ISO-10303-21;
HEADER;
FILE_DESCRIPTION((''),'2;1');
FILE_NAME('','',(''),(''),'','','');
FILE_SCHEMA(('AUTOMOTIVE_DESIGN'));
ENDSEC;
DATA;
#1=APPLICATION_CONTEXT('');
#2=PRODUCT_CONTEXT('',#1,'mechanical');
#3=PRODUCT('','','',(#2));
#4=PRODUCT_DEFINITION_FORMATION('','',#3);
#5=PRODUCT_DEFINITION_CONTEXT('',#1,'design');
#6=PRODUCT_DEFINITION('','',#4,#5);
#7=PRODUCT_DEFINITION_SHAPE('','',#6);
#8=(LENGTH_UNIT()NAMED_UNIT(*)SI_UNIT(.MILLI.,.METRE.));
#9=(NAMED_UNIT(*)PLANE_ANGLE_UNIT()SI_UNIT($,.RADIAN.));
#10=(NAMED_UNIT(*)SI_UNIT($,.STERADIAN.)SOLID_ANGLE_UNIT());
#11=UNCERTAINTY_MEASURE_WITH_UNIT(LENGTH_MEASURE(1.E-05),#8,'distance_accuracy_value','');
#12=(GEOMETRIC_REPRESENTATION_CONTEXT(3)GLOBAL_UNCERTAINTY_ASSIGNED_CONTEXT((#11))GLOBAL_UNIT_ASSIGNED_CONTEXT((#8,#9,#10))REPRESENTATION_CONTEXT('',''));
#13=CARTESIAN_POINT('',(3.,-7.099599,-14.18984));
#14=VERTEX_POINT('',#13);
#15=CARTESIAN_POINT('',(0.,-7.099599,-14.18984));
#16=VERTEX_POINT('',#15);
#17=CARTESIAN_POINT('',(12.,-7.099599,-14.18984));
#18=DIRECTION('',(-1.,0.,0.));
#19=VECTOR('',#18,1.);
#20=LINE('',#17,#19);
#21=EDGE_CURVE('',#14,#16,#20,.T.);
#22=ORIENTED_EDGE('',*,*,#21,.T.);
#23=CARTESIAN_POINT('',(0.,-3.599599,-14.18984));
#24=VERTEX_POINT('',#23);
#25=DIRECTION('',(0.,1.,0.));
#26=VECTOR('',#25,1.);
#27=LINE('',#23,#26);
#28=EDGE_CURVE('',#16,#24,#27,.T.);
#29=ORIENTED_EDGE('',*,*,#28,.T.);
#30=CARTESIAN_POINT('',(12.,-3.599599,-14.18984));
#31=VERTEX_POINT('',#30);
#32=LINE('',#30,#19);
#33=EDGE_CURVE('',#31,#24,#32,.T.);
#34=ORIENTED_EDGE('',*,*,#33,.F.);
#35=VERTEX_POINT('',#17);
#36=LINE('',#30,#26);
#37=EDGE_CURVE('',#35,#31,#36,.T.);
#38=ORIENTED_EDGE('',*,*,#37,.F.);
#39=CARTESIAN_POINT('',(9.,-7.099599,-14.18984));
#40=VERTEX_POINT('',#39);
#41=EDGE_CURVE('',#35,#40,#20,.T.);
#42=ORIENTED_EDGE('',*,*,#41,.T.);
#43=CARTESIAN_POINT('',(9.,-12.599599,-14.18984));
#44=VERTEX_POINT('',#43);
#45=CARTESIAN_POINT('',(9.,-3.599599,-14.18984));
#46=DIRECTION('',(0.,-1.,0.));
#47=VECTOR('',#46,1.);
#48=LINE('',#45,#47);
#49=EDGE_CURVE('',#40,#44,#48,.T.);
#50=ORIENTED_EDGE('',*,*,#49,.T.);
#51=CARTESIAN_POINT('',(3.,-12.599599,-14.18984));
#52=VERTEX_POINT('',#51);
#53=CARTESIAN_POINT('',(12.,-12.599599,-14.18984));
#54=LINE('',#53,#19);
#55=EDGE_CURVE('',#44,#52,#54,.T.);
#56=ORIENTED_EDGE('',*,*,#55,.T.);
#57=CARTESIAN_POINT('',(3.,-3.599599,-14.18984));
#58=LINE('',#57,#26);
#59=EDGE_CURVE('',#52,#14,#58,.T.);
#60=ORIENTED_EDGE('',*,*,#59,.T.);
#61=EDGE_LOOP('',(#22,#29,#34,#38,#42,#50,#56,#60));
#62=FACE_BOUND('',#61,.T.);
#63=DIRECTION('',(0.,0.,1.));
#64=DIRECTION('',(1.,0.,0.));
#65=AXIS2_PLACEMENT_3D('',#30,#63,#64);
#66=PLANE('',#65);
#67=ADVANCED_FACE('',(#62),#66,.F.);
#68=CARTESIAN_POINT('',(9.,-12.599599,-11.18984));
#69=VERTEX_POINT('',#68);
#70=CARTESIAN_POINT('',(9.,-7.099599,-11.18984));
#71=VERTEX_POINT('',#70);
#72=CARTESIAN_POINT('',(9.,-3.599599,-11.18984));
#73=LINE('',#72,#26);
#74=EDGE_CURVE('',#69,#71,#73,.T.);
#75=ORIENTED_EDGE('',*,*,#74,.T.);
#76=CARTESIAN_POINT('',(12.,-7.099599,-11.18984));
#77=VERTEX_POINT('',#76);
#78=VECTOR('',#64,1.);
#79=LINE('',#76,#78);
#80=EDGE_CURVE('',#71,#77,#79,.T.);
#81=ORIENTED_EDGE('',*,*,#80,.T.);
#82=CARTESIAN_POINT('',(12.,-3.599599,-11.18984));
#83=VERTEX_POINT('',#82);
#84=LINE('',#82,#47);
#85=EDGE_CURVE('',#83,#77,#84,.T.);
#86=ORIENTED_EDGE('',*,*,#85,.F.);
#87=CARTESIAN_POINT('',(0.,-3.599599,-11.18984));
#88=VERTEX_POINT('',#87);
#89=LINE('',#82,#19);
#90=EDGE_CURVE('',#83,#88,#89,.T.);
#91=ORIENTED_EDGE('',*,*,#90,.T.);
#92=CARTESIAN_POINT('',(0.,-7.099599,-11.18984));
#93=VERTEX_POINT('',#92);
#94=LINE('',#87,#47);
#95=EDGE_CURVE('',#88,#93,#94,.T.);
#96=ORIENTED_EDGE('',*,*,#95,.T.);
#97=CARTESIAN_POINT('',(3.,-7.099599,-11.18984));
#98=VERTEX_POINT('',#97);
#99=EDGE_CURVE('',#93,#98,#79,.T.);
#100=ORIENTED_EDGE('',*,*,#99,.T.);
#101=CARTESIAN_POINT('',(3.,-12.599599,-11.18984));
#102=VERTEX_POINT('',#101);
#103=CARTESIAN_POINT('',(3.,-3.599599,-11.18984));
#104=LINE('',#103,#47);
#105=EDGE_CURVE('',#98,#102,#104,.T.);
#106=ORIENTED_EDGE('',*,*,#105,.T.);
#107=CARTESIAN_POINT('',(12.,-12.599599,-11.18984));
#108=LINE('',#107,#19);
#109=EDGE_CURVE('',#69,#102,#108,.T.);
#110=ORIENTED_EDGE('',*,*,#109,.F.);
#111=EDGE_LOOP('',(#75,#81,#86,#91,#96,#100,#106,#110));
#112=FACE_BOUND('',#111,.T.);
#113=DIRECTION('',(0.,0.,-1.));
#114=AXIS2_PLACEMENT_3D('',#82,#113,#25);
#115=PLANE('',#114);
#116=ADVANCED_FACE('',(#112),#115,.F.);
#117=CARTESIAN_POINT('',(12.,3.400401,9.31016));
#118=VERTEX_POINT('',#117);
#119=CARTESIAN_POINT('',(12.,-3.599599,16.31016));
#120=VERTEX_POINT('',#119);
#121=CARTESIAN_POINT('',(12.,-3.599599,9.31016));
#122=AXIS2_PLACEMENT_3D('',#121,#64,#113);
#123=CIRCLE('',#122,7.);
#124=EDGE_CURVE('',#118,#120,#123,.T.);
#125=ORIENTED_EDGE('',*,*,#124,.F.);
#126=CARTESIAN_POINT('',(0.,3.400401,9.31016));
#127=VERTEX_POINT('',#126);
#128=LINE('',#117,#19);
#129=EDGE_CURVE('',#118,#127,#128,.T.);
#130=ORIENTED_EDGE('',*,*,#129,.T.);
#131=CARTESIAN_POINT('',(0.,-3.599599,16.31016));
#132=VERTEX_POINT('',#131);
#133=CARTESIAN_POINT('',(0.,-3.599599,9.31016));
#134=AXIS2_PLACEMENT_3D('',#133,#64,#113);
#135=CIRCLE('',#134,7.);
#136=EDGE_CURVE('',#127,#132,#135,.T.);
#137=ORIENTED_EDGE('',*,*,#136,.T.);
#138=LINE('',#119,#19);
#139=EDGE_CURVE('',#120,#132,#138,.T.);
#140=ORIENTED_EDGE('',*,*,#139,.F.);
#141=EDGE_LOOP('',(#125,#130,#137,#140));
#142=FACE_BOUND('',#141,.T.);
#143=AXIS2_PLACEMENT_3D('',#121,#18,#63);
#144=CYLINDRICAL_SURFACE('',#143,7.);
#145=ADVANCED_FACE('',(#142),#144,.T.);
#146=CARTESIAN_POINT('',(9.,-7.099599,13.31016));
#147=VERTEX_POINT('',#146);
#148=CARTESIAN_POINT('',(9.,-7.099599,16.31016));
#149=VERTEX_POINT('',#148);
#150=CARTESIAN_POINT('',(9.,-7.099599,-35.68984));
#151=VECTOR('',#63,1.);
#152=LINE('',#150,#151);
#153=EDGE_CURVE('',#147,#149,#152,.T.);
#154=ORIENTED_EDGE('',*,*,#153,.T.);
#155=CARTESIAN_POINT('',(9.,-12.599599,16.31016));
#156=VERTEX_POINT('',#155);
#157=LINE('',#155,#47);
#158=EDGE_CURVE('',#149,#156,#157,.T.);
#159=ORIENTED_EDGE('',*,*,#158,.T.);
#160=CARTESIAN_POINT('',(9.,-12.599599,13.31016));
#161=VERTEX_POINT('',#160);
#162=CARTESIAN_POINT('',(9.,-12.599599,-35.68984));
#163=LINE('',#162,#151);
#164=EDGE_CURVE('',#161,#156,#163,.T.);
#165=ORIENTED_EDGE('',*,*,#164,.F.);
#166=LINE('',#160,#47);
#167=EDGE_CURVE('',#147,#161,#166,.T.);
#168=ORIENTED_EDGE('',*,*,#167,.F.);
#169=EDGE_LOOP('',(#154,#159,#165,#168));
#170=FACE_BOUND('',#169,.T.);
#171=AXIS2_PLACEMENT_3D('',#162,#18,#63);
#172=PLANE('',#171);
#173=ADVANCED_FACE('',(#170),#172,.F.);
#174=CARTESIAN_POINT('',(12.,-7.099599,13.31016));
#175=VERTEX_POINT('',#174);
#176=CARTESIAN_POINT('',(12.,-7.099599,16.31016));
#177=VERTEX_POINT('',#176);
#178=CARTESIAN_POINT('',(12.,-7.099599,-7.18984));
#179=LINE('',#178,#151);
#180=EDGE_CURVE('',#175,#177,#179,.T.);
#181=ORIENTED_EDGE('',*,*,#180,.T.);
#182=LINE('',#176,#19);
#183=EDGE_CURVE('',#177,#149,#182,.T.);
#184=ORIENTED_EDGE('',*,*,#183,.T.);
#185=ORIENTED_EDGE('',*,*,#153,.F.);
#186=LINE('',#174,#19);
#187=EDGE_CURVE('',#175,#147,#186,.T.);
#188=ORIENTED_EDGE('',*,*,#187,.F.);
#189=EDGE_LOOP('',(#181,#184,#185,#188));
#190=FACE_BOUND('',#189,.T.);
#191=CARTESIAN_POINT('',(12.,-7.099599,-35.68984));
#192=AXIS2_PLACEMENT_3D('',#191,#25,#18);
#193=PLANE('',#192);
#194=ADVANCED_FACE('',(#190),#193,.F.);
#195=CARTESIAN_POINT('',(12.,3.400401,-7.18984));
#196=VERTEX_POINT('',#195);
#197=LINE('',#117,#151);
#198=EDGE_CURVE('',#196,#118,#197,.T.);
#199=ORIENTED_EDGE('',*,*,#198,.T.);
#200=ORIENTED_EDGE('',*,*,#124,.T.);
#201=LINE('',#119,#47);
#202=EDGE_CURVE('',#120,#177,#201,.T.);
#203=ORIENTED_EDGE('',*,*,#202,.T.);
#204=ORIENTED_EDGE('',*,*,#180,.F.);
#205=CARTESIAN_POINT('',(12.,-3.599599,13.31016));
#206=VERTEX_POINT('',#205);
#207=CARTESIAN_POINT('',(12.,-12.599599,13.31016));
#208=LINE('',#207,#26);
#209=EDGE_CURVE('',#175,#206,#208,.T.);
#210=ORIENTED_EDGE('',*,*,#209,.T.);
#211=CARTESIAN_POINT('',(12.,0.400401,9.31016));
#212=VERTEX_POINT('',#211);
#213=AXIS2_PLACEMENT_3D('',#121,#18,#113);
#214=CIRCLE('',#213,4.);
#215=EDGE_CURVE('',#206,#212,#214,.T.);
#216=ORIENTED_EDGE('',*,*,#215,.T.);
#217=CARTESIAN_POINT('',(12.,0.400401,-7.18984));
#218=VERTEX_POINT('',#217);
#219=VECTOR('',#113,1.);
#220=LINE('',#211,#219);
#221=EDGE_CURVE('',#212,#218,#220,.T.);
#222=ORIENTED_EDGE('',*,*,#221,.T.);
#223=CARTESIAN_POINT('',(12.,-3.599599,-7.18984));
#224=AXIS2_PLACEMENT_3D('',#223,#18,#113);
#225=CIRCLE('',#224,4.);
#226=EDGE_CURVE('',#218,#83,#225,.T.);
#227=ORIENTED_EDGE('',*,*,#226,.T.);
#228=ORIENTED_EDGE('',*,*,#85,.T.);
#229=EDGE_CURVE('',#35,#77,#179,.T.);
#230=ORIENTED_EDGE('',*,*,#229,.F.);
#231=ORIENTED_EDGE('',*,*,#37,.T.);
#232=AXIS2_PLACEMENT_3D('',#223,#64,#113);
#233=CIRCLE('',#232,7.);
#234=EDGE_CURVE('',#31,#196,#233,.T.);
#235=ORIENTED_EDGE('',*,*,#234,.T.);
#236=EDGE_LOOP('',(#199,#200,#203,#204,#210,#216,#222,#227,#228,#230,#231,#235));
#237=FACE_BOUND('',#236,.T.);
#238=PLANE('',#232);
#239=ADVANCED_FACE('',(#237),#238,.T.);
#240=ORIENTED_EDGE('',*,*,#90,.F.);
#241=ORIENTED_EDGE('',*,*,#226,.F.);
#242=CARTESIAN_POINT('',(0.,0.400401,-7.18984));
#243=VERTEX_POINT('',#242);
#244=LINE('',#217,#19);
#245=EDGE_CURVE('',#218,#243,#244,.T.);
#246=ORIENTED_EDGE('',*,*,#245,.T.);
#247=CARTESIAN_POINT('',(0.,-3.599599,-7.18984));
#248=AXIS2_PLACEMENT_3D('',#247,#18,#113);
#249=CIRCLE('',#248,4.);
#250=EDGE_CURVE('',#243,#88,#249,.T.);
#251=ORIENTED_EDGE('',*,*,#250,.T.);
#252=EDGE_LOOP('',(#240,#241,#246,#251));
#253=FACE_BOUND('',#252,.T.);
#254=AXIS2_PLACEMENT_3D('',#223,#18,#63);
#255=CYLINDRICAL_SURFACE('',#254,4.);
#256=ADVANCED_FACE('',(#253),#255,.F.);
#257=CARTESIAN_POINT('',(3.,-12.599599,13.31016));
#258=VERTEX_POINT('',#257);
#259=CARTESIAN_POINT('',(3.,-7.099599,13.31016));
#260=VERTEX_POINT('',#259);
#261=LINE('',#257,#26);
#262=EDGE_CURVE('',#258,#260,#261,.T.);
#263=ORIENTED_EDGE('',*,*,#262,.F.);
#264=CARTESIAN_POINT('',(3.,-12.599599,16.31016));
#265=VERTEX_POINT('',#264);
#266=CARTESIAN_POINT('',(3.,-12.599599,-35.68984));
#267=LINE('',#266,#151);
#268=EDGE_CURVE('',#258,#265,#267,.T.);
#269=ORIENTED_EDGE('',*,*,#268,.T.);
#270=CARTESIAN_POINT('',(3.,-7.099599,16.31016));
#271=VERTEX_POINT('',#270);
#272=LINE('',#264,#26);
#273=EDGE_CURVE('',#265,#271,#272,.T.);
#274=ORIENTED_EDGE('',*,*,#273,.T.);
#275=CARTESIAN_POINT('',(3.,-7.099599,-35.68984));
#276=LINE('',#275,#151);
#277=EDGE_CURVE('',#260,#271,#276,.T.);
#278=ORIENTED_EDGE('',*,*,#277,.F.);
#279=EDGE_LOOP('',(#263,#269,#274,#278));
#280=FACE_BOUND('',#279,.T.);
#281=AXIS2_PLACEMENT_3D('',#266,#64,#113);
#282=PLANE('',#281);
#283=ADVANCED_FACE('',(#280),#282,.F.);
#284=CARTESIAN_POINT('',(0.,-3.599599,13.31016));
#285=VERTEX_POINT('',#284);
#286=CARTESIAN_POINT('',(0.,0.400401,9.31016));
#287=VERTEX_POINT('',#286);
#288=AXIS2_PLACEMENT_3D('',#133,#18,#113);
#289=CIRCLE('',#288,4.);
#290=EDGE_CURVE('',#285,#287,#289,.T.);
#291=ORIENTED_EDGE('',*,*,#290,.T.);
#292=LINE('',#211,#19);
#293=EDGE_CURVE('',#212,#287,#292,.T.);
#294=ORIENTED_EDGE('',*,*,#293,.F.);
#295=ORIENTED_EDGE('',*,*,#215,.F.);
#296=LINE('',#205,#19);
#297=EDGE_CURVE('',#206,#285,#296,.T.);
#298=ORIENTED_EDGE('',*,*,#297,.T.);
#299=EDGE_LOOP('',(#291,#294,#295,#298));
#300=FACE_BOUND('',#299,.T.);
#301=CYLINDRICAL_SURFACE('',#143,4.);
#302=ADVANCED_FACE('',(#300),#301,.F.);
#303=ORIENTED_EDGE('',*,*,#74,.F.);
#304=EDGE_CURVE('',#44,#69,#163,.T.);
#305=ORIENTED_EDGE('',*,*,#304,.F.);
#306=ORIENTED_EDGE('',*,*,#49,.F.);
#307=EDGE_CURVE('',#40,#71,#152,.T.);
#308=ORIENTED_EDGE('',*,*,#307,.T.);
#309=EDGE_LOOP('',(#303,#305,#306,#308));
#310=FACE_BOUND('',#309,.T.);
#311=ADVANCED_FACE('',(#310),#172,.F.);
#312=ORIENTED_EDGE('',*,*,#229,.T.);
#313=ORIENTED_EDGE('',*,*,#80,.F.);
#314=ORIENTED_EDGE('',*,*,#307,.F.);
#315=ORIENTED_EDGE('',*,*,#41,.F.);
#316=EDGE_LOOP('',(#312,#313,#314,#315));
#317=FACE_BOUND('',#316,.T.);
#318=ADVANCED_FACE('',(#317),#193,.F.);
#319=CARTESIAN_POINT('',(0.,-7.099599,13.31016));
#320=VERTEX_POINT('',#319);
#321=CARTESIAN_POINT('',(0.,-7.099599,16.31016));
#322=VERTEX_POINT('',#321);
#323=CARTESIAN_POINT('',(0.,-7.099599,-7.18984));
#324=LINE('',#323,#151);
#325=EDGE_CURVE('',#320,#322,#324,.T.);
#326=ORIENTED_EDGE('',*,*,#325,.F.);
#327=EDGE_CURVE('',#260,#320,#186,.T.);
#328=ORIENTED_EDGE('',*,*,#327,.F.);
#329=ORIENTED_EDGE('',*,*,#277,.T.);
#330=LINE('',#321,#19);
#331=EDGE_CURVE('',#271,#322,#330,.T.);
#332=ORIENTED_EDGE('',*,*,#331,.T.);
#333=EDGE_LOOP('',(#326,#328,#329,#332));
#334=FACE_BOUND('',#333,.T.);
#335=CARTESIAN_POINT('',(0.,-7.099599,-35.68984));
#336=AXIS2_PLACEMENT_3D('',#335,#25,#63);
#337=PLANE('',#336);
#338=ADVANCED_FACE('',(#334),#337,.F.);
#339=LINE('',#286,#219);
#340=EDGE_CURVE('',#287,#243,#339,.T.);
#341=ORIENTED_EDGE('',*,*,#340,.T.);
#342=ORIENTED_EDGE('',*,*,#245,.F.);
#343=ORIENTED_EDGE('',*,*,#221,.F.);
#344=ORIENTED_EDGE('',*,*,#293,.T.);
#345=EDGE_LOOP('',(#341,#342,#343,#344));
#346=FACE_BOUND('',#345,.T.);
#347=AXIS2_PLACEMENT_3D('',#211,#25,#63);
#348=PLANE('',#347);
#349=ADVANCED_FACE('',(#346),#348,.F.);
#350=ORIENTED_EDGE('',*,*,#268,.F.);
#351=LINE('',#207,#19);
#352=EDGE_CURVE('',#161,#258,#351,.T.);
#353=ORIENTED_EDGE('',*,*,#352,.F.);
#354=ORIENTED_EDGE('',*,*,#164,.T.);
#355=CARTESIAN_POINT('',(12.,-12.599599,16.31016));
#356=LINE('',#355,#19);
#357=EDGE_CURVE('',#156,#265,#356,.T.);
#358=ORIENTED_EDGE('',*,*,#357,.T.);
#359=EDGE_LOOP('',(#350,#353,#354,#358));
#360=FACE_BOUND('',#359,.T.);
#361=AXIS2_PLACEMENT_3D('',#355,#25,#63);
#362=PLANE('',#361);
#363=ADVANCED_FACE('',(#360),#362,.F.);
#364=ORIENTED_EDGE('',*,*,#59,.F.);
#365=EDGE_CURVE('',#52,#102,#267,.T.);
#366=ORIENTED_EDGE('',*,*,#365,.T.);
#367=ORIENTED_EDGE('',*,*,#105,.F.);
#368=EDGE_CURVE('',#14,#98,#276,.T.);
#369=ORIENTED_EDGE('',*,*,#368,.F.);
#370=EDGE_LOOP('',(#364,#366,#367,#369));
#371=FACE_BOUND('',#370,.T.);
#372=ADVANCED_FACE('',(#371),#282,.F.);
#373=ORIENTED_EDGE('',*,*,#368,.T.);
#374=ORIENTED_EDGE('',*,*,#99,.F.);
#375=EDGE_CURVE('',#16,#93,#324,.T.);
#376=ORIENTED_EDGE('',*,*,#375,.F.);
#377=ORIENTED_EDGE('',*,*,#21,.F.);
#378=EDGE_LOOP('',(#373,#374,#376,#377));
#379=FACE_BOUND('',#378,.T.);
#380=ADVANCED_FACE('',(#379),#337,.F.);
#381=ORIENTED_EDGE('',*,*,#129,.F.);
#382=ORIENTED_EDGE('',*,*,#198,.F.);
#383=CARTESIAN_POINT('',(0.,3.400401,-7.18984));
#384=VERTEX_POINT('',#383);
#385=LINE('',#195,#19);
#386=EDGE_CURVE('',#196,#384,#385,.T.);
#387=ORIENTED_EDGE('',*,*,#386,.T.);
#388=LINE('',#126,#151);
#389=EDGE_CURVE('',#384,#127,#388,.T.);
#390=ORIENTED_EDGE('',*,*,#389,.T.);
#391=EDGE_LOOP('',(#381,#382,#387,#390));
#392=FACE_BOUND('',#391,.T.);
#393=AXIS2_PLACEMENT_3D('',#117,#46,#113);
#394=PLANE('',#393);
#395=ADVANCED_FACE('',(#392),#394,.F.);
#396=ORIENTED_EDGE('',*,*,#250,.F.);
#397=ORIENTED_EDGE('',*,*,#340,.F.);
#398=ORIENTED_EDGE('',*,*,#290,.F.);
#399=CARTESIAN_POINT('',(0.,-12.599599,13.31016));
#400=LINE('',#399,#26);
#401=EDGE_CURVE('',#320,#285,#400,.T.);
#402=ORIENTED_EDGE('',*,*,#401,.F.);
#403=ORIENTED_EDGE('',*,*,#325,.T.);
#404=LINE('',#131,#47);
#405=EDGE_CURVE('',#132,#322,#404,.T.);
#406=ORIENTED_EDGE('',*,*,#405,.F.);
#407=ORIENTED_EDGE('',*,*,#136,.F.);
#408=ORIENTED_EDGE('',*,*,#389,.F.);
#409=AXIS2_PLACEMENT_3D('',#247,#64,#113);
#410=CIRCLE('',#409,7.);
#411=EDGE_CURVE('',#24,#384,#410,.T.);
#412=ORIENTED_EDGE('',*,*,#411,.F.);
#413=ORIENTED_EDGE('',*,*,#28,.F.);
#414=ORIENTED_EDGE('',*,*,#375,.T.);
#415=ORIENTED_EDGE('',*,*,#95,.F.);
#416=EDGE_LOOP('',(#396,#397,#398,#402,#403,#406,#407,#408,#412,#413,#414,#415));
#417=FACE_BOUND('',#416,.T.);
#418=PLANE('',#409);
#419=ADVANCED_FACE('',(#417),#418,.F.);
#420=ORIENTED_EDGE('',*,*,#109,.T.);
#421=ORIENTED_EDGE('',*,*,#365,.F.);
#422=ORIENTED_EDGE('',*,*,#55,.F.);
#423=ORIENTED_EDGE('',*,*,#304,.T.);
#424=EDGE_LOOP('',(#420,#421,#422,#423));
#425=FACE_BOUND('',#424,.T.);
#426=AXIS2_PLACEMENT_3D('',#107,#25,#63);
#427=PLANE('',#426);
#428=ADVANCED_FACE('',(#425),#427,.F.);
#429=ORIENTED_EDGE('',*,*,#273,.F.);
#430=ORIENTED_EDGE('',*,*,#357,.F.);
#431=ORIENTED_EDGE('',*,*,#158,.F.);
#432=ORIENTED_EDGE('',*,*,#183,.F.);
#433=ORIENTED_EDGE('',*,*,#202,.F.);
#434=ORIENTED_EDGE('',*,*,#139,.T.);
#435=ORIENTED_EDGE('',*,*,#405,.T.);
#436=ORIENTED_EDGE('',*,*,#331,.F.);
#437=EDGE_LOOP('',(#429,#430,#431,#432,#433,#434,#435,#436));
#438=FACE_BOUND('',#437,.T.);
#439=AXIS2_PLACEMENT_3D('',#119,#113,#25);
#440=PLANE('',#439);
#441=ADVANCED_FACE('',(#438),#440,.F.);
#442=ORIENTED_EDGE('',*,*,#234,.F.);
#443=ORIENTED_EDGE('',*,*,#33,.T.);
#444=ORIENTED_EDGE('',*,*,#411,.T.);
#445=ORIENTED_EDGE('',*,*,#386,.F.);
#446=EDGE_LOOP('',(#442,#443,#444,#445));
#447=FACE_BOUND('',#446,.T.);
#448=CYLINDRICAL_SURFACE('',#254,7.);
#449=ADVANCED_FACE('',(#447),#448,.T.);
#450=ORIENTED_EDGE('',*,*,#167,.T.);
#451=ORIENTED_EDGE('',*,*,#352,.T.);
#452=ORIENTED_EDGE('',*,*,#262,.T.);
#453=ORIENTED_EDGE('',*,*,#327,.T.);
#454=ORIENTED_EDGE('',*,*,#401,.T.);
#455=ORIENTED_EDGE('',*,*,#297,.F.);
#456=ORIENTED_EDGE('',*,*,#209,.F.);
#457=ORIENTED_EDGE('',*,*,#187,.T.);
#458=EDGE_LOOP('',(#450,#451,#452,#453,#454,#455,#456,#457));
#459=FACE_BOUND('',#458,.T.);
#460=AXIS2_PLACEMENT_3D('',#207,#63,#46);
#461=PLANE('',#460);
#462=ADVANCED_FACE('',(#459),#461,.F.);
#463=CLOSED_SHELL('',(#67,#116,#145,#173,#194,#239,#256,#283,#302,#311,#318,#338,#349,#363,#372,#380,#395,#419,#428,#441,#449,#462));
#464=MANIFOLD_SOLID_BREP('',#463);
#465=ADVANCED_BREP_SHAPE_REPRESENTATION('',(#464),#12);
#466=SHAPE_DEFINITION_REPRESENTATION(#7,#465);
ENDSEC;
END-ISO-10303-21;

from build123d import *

# Parameters (mm, degrees)
BOSS_EXTRUDE1_DEPTH = 12
SKETCH5_W           = 3
SKETCH5_H           = 5.5
CUT_EXTRUDE1_DEPTH  = 52


with BuildPart() as part:
    # Sketch4 → Boss-Extrude1 (new body)
    with BuildSketch(Plane(origin=(0, 0, 0), x_dir=(0, 0, -1), z_dir=(1, 0, 0))):
        with BuildLine():
            Line((-13.310160428, -12.59959893), (-13.310160428, -3.59959893))
            ThreePointArc((-13.310160428, -3.59959893), (-12.138587553, -0.771171806), (-9.310160428, 0.40040107))
            Line((-9.310160428, 0.40040107), (7.189839572, 0.40040107))
            ThreePointArc((7.189839572, 0.40040107), (10.018266697, -0.771171806), (11.189839572, -3.59959893))
            Line((11.189839572, -3.59959893), (11.189839572, -12.59959893))
            Line((11.189839572, -12.59959893), (14.189839572, -12.59959893))
            Line((14.189839572, -12.59959893), (14.189839572, -3.59959893))
            ThreePointArc((14.189839572, -3.59959893), (12.13958704, 1.350148538), (7.189839572, 3.40040107))
            Line((7.189839572, 3.40040107), (-9.310160428, 3.40040107))
            ThreePointArc((-9.310160428, 3.40040107), (-14.259907896, 1.350148538), (-16.310160428, -3.59959893))
            Line((-16.310160428, -3.59959893), (-16.310160428, -12.59959893))
            Line((-16.310160428, -12.59959893), (-13.310160428, -12.59959893))
        make_face()
    extrude(amount=BOSS_EXTRUDE1_DEPTH)

    # Sketch5 → Cut-Extrude1 (cut)
    with BuildSketch(Plane.XY.offset(16.310160428)):
        with Locations((1.5, -9.84959893)):
            Rectangle(SKETCH5_W, SKETCH5_H)
        with Locations((10.5, -9.84959893)):
            Rectangle(SKETCH5_W, SKETCH5_H)
    extrude(amount=-CUT_EXTRUDE1_DEPTH, mode=Mode.SUBTRACT)


solid = part.part
